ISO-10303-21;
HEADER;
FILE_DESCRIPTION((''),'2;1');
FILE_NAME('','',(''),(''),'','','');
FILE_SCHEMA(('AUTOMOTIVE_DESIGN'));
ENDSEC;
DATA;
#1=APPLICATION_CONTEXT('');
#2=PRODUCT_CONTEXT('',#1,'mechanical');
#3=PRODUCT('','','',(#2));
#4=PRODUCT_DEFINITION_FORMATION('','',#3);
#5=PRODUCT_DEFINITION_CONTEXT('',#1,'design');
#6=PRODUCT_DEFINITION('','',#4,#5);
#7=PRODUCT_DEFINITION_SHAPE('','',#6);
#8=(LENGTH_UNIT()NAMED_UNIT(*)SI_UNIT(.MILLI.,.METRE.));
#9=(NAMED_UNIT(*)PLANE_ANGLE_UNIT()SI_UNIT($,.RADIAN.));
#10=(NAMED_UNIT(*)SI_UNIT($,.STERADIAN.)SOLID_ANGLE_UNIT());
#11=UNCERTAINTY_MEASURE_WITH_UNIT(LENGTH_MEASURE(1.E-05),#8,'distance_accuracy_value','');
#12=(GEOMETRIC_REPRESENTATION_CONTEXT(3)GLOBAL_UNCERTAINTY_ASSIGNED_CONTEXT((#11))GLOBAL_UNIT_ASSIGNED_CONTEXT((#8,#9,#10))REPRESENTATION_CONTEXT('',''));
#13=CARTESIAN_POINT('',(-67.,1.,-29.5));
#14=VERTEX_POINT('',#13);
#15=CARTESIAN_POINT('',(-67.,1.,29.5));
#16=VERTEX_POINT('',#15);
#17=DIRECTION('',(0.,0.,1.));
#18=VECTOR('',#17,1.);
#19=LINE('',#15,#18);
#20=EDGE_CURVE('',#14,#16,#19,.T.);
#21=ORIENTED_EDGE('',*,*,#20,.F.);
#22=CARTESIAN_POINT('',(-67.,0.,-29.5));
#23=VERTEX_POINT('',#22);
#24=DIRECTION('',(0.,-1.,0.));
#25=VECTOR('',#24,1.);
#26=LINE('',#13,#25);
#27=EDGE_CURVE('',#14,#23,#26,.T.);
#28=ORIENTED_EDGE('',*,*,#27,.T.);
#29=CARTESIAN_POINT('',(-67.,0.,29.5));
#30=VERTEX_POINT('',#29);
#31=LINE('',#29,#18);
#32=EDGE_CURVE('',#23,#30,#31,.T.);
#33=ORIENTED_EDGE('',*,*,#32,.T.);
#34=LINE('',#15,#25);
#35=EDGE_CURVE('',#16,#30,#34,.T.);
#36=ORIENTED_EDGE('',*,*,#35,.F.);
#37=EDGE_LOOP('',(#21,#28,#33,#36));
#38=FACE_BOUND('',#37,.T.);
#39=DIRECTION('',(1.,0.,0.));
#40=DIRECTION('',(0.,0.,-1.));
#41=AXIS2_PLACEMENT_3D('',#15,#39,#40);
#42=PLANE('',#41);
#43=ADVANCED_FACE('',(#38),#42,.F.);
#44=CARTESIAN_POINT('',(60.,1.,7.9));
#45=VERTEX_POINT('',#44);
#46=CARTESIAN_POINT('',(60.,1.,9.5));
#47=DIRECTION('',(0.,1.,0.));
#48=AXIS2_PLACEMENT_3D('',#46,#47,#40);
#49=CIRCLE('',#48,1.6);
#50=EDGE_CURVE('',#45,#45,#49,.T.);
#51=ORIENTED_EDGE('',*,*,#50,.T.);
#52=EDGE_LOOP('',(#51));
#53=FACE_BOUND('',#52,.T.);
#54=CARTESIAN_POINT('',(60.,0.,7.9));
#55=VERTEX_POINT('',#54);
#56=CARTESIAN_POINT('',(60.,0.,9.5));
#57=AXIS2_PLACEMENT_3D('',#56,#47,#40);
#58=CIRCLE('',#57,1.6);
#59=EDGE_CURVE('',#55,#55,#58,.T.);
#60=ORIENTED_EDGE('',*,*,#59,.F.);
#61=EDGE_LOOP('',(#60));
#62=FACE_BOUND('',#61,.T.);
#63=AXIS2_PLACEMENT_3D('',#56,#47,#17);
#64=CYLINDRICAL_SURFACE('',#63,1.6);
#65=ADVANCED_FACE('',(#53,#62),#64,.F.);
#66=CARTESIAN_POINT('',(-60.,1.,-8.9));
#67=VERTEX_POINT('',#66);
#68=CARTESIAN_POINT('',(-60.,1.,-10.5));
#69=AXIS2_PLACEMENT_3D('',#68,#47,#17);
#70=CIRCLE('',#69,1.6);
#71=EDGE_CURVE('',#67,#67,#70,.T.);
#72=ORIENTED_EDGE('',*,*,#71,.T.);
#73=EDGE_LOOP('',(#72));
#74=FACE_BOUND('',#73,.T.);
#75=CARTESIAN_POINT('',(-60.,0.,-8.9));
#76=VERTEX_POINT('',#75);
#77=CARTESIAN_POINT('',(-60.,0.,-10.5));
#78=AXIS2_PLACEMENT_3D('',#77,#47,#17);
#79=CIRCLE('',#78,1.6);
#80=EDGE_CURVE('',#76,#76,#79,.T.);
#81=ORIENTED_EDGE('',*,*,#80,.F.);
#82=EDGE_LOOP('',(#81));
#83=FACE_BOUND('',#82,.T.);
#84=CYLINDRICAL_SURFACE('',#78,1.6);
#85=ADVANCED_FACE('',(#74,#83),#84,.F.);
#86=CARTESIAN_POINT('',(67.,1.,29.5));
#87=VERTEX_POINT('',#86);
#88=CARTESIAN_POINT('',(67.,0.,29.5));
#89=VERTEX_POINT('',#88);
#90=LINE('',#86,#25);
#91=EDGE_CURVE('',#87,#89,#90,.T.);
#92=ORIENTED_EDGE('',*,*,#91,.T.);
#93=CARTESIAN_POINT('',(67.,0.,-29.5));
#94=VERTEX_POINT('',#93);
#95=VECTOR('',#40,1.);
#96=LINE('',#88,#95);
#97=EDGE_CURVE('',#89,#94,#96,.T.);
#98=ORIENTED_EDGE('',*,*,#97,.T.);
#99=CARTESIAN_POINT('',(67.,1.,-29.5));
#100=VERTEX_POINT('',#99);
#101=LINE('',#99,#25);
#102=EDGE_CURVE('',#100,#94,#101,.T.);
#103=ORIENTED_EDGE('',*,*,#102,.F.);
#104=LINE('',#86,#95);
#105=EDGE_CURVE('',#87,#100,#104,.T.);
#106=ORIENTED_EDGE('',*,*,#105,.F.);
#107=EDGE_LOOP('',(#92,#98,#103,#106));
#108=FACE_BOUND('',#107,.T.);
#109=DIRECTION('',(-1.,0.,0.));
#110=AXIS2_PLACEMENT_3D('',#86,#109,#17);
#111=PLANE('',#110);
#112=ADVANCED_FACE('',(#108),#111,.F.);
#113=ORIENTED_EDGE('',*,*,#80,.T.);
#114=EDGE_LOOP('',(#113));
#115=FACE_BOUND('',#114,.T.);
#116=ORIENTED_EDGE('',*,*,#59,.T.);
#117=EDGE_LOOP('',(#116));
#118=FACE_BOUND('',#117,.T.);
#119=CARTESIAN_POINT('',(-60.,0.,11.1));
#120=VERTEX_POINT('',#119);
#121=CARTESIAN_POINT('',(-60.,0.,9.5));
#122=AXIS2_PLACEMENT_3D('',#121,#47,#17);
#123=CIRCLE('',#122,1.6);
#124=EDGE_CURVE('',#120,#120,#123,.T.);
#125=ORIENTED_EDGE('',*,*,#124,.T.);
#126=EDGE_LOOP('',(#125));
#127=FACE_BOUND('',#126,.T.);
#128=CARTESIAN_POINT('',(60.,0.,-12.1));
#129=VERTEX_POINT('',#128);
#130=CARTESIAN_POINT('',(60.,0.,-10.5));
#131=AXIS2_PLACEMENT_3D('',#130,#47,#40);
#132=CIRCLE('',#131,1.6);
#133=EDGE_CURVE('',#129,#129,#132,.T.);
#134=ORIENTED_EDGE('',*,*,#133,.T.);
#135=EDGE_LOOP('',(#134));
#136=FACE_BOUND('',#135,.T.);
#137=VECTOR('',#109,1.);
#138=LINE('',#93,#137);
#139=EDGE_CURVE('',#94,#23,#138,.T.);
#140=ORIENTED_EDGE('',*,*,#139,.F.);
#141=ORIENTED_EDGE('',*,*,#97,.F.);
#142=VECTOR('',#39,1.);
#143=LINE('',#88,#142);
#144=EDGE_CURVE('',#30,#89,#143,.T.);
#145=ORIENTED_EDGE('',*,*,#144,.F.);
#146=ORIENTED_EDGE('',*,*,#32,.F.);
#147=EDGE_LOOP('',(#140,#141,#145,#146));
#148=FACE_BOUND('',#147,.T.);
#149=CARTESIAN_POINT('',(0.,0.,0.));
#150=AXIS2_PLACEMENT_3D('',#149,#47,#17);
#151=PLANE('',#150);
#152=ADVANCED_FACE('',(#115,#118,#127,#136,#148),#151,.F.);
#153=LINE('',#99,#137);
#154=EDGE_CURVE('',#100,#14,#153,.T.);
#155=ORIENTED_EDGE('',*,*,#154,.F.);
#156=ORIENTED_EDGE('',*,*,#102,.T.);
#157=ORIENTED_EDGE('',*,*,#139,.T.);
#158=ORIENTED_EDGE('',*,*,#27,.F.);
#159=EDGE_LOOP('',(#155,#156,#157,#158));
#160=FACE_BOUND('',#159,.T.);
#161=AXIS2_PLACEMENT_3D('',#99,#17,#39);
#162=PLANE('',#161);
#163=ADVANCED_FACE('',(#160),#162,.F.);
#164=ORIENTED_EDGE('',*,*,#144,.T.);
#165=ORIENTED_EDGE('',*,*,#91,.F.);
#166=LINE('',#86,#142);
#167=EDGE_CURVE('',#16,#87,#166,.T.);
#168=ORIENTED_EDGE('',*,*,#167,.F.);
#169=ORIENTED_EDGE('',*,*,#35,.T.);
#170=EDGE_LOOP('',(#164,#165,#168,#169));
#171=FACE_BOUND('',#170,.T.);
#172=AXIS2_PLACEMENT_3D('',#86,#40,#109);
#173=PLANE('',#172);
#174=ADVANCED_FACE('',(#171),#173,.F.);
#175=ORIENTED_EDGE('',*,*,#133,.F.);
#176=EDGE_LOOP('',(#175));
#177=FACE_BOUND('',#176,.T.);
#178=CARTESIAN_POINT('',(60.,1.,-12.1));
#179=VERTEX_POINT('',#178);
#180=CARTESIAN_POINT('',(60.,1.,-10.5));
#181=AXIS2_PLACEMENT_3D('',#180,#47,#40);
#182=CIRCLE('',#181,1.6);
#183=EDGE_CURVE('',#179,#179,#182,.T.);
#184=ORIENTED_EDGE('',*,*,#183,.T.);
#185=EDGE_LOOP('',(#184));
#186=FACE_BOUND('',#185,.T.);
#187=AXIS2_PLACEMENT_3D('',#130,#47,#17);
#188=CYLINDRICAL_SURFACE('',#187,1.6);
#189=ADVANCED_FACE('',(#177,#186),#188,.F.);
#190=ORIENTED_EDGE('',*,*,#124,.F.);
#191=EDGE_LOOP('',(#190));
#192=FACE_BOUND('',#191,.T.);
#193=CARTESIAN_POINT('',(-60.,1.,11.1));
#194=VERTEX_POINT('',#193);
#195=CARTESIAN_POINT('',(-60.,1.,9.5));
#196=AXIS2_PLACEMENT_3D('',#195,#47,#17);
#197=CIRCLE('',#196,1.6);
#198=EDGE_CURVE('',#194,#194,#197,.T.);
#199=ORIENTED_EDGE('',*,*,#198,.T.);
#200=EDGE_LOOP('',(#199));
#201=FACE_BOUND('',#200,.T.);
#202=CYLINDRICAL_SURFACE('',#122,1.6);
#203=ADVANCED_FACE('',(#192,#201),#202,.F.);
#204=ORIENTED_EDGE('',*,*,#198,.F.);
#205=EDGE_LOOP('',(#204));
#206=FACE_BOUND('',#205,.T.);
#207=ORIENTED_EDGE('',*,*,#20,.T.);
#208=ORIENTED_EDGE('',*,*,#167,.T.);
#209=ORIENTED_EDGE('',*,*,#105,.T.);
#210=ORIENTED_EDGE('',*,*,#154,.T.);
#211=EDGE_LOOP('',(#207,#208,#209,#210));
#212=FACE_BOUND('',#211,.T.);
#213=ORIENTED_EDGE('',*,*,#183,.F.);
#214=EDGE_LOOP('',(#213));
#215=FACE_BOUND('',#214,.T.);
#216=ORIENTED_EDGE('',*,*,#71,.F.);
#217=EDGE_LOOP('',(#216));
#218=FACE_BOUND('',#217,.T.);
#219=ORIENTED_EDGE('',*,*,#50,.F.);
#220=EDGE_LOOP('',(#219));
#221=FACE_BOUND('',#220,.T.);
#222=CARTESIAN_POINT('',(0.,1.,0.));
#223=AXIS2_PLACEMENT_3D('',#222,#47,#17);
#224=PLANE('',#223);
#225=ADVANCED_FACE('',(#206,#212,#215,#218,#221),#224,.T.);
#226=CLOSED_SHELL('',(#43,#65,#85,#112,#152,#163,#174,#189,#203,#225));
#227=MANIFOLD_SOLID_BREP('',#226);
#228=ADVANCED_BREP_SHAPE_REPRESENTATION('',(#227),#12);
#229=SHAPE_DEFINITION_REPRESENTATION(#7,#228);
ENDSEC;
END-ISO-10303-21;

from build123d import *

# Parameters (mm, degrees)
SKETCH_1_W          = 134
SKETCH_1_H          = 59
EXTRUDE_1_DEPTH     = 1
SKETCH_2_R          = 1.6
CUT_EXTRUDE_1_DEPTH = 74.213728221


with BuildPart() as part:
    # 草图1 → 凸台-拉伸1 (new body)
    with BuildSketch(Plane(origin=(0, 0, 0), x_dir=(1, 0, 0), z_dir=(0, 1, 0))):
        Rectangle(SKETCH_1_W, SKETCH_1_H)
    extrude(amount=EXTRUDE_1_DEPTH)

    # 草图2 → 切除-拉伸1 (cut, through all)
    with BuildSketch(Plane(origin=(0, 1, 0), x_dir=(1, 0, 0), z_dir=(0, 1, 0))):
        with Locations(Location((-60, -9.5, 0), (0, 0, 270))):
            Circle(SKETCH_2_R)
        with Locations(Location((-60, 10.5, 0), (0, 0, 270))):
            Circle(SKETCH_2_R)
        with Locations(Location((60, 10.5, 0), (0, 0, 90))):
            Circle(SKETCH_2_R)
        with Locations(Location((60, -9.5, 0), (0, 0, 90))):
            Circle(SKETCH_2_R)
    extrude(amount=-CUT_EXTRUDE_1_DEPTH, mode=Mode.SUBTRACT)


solid = part.part
